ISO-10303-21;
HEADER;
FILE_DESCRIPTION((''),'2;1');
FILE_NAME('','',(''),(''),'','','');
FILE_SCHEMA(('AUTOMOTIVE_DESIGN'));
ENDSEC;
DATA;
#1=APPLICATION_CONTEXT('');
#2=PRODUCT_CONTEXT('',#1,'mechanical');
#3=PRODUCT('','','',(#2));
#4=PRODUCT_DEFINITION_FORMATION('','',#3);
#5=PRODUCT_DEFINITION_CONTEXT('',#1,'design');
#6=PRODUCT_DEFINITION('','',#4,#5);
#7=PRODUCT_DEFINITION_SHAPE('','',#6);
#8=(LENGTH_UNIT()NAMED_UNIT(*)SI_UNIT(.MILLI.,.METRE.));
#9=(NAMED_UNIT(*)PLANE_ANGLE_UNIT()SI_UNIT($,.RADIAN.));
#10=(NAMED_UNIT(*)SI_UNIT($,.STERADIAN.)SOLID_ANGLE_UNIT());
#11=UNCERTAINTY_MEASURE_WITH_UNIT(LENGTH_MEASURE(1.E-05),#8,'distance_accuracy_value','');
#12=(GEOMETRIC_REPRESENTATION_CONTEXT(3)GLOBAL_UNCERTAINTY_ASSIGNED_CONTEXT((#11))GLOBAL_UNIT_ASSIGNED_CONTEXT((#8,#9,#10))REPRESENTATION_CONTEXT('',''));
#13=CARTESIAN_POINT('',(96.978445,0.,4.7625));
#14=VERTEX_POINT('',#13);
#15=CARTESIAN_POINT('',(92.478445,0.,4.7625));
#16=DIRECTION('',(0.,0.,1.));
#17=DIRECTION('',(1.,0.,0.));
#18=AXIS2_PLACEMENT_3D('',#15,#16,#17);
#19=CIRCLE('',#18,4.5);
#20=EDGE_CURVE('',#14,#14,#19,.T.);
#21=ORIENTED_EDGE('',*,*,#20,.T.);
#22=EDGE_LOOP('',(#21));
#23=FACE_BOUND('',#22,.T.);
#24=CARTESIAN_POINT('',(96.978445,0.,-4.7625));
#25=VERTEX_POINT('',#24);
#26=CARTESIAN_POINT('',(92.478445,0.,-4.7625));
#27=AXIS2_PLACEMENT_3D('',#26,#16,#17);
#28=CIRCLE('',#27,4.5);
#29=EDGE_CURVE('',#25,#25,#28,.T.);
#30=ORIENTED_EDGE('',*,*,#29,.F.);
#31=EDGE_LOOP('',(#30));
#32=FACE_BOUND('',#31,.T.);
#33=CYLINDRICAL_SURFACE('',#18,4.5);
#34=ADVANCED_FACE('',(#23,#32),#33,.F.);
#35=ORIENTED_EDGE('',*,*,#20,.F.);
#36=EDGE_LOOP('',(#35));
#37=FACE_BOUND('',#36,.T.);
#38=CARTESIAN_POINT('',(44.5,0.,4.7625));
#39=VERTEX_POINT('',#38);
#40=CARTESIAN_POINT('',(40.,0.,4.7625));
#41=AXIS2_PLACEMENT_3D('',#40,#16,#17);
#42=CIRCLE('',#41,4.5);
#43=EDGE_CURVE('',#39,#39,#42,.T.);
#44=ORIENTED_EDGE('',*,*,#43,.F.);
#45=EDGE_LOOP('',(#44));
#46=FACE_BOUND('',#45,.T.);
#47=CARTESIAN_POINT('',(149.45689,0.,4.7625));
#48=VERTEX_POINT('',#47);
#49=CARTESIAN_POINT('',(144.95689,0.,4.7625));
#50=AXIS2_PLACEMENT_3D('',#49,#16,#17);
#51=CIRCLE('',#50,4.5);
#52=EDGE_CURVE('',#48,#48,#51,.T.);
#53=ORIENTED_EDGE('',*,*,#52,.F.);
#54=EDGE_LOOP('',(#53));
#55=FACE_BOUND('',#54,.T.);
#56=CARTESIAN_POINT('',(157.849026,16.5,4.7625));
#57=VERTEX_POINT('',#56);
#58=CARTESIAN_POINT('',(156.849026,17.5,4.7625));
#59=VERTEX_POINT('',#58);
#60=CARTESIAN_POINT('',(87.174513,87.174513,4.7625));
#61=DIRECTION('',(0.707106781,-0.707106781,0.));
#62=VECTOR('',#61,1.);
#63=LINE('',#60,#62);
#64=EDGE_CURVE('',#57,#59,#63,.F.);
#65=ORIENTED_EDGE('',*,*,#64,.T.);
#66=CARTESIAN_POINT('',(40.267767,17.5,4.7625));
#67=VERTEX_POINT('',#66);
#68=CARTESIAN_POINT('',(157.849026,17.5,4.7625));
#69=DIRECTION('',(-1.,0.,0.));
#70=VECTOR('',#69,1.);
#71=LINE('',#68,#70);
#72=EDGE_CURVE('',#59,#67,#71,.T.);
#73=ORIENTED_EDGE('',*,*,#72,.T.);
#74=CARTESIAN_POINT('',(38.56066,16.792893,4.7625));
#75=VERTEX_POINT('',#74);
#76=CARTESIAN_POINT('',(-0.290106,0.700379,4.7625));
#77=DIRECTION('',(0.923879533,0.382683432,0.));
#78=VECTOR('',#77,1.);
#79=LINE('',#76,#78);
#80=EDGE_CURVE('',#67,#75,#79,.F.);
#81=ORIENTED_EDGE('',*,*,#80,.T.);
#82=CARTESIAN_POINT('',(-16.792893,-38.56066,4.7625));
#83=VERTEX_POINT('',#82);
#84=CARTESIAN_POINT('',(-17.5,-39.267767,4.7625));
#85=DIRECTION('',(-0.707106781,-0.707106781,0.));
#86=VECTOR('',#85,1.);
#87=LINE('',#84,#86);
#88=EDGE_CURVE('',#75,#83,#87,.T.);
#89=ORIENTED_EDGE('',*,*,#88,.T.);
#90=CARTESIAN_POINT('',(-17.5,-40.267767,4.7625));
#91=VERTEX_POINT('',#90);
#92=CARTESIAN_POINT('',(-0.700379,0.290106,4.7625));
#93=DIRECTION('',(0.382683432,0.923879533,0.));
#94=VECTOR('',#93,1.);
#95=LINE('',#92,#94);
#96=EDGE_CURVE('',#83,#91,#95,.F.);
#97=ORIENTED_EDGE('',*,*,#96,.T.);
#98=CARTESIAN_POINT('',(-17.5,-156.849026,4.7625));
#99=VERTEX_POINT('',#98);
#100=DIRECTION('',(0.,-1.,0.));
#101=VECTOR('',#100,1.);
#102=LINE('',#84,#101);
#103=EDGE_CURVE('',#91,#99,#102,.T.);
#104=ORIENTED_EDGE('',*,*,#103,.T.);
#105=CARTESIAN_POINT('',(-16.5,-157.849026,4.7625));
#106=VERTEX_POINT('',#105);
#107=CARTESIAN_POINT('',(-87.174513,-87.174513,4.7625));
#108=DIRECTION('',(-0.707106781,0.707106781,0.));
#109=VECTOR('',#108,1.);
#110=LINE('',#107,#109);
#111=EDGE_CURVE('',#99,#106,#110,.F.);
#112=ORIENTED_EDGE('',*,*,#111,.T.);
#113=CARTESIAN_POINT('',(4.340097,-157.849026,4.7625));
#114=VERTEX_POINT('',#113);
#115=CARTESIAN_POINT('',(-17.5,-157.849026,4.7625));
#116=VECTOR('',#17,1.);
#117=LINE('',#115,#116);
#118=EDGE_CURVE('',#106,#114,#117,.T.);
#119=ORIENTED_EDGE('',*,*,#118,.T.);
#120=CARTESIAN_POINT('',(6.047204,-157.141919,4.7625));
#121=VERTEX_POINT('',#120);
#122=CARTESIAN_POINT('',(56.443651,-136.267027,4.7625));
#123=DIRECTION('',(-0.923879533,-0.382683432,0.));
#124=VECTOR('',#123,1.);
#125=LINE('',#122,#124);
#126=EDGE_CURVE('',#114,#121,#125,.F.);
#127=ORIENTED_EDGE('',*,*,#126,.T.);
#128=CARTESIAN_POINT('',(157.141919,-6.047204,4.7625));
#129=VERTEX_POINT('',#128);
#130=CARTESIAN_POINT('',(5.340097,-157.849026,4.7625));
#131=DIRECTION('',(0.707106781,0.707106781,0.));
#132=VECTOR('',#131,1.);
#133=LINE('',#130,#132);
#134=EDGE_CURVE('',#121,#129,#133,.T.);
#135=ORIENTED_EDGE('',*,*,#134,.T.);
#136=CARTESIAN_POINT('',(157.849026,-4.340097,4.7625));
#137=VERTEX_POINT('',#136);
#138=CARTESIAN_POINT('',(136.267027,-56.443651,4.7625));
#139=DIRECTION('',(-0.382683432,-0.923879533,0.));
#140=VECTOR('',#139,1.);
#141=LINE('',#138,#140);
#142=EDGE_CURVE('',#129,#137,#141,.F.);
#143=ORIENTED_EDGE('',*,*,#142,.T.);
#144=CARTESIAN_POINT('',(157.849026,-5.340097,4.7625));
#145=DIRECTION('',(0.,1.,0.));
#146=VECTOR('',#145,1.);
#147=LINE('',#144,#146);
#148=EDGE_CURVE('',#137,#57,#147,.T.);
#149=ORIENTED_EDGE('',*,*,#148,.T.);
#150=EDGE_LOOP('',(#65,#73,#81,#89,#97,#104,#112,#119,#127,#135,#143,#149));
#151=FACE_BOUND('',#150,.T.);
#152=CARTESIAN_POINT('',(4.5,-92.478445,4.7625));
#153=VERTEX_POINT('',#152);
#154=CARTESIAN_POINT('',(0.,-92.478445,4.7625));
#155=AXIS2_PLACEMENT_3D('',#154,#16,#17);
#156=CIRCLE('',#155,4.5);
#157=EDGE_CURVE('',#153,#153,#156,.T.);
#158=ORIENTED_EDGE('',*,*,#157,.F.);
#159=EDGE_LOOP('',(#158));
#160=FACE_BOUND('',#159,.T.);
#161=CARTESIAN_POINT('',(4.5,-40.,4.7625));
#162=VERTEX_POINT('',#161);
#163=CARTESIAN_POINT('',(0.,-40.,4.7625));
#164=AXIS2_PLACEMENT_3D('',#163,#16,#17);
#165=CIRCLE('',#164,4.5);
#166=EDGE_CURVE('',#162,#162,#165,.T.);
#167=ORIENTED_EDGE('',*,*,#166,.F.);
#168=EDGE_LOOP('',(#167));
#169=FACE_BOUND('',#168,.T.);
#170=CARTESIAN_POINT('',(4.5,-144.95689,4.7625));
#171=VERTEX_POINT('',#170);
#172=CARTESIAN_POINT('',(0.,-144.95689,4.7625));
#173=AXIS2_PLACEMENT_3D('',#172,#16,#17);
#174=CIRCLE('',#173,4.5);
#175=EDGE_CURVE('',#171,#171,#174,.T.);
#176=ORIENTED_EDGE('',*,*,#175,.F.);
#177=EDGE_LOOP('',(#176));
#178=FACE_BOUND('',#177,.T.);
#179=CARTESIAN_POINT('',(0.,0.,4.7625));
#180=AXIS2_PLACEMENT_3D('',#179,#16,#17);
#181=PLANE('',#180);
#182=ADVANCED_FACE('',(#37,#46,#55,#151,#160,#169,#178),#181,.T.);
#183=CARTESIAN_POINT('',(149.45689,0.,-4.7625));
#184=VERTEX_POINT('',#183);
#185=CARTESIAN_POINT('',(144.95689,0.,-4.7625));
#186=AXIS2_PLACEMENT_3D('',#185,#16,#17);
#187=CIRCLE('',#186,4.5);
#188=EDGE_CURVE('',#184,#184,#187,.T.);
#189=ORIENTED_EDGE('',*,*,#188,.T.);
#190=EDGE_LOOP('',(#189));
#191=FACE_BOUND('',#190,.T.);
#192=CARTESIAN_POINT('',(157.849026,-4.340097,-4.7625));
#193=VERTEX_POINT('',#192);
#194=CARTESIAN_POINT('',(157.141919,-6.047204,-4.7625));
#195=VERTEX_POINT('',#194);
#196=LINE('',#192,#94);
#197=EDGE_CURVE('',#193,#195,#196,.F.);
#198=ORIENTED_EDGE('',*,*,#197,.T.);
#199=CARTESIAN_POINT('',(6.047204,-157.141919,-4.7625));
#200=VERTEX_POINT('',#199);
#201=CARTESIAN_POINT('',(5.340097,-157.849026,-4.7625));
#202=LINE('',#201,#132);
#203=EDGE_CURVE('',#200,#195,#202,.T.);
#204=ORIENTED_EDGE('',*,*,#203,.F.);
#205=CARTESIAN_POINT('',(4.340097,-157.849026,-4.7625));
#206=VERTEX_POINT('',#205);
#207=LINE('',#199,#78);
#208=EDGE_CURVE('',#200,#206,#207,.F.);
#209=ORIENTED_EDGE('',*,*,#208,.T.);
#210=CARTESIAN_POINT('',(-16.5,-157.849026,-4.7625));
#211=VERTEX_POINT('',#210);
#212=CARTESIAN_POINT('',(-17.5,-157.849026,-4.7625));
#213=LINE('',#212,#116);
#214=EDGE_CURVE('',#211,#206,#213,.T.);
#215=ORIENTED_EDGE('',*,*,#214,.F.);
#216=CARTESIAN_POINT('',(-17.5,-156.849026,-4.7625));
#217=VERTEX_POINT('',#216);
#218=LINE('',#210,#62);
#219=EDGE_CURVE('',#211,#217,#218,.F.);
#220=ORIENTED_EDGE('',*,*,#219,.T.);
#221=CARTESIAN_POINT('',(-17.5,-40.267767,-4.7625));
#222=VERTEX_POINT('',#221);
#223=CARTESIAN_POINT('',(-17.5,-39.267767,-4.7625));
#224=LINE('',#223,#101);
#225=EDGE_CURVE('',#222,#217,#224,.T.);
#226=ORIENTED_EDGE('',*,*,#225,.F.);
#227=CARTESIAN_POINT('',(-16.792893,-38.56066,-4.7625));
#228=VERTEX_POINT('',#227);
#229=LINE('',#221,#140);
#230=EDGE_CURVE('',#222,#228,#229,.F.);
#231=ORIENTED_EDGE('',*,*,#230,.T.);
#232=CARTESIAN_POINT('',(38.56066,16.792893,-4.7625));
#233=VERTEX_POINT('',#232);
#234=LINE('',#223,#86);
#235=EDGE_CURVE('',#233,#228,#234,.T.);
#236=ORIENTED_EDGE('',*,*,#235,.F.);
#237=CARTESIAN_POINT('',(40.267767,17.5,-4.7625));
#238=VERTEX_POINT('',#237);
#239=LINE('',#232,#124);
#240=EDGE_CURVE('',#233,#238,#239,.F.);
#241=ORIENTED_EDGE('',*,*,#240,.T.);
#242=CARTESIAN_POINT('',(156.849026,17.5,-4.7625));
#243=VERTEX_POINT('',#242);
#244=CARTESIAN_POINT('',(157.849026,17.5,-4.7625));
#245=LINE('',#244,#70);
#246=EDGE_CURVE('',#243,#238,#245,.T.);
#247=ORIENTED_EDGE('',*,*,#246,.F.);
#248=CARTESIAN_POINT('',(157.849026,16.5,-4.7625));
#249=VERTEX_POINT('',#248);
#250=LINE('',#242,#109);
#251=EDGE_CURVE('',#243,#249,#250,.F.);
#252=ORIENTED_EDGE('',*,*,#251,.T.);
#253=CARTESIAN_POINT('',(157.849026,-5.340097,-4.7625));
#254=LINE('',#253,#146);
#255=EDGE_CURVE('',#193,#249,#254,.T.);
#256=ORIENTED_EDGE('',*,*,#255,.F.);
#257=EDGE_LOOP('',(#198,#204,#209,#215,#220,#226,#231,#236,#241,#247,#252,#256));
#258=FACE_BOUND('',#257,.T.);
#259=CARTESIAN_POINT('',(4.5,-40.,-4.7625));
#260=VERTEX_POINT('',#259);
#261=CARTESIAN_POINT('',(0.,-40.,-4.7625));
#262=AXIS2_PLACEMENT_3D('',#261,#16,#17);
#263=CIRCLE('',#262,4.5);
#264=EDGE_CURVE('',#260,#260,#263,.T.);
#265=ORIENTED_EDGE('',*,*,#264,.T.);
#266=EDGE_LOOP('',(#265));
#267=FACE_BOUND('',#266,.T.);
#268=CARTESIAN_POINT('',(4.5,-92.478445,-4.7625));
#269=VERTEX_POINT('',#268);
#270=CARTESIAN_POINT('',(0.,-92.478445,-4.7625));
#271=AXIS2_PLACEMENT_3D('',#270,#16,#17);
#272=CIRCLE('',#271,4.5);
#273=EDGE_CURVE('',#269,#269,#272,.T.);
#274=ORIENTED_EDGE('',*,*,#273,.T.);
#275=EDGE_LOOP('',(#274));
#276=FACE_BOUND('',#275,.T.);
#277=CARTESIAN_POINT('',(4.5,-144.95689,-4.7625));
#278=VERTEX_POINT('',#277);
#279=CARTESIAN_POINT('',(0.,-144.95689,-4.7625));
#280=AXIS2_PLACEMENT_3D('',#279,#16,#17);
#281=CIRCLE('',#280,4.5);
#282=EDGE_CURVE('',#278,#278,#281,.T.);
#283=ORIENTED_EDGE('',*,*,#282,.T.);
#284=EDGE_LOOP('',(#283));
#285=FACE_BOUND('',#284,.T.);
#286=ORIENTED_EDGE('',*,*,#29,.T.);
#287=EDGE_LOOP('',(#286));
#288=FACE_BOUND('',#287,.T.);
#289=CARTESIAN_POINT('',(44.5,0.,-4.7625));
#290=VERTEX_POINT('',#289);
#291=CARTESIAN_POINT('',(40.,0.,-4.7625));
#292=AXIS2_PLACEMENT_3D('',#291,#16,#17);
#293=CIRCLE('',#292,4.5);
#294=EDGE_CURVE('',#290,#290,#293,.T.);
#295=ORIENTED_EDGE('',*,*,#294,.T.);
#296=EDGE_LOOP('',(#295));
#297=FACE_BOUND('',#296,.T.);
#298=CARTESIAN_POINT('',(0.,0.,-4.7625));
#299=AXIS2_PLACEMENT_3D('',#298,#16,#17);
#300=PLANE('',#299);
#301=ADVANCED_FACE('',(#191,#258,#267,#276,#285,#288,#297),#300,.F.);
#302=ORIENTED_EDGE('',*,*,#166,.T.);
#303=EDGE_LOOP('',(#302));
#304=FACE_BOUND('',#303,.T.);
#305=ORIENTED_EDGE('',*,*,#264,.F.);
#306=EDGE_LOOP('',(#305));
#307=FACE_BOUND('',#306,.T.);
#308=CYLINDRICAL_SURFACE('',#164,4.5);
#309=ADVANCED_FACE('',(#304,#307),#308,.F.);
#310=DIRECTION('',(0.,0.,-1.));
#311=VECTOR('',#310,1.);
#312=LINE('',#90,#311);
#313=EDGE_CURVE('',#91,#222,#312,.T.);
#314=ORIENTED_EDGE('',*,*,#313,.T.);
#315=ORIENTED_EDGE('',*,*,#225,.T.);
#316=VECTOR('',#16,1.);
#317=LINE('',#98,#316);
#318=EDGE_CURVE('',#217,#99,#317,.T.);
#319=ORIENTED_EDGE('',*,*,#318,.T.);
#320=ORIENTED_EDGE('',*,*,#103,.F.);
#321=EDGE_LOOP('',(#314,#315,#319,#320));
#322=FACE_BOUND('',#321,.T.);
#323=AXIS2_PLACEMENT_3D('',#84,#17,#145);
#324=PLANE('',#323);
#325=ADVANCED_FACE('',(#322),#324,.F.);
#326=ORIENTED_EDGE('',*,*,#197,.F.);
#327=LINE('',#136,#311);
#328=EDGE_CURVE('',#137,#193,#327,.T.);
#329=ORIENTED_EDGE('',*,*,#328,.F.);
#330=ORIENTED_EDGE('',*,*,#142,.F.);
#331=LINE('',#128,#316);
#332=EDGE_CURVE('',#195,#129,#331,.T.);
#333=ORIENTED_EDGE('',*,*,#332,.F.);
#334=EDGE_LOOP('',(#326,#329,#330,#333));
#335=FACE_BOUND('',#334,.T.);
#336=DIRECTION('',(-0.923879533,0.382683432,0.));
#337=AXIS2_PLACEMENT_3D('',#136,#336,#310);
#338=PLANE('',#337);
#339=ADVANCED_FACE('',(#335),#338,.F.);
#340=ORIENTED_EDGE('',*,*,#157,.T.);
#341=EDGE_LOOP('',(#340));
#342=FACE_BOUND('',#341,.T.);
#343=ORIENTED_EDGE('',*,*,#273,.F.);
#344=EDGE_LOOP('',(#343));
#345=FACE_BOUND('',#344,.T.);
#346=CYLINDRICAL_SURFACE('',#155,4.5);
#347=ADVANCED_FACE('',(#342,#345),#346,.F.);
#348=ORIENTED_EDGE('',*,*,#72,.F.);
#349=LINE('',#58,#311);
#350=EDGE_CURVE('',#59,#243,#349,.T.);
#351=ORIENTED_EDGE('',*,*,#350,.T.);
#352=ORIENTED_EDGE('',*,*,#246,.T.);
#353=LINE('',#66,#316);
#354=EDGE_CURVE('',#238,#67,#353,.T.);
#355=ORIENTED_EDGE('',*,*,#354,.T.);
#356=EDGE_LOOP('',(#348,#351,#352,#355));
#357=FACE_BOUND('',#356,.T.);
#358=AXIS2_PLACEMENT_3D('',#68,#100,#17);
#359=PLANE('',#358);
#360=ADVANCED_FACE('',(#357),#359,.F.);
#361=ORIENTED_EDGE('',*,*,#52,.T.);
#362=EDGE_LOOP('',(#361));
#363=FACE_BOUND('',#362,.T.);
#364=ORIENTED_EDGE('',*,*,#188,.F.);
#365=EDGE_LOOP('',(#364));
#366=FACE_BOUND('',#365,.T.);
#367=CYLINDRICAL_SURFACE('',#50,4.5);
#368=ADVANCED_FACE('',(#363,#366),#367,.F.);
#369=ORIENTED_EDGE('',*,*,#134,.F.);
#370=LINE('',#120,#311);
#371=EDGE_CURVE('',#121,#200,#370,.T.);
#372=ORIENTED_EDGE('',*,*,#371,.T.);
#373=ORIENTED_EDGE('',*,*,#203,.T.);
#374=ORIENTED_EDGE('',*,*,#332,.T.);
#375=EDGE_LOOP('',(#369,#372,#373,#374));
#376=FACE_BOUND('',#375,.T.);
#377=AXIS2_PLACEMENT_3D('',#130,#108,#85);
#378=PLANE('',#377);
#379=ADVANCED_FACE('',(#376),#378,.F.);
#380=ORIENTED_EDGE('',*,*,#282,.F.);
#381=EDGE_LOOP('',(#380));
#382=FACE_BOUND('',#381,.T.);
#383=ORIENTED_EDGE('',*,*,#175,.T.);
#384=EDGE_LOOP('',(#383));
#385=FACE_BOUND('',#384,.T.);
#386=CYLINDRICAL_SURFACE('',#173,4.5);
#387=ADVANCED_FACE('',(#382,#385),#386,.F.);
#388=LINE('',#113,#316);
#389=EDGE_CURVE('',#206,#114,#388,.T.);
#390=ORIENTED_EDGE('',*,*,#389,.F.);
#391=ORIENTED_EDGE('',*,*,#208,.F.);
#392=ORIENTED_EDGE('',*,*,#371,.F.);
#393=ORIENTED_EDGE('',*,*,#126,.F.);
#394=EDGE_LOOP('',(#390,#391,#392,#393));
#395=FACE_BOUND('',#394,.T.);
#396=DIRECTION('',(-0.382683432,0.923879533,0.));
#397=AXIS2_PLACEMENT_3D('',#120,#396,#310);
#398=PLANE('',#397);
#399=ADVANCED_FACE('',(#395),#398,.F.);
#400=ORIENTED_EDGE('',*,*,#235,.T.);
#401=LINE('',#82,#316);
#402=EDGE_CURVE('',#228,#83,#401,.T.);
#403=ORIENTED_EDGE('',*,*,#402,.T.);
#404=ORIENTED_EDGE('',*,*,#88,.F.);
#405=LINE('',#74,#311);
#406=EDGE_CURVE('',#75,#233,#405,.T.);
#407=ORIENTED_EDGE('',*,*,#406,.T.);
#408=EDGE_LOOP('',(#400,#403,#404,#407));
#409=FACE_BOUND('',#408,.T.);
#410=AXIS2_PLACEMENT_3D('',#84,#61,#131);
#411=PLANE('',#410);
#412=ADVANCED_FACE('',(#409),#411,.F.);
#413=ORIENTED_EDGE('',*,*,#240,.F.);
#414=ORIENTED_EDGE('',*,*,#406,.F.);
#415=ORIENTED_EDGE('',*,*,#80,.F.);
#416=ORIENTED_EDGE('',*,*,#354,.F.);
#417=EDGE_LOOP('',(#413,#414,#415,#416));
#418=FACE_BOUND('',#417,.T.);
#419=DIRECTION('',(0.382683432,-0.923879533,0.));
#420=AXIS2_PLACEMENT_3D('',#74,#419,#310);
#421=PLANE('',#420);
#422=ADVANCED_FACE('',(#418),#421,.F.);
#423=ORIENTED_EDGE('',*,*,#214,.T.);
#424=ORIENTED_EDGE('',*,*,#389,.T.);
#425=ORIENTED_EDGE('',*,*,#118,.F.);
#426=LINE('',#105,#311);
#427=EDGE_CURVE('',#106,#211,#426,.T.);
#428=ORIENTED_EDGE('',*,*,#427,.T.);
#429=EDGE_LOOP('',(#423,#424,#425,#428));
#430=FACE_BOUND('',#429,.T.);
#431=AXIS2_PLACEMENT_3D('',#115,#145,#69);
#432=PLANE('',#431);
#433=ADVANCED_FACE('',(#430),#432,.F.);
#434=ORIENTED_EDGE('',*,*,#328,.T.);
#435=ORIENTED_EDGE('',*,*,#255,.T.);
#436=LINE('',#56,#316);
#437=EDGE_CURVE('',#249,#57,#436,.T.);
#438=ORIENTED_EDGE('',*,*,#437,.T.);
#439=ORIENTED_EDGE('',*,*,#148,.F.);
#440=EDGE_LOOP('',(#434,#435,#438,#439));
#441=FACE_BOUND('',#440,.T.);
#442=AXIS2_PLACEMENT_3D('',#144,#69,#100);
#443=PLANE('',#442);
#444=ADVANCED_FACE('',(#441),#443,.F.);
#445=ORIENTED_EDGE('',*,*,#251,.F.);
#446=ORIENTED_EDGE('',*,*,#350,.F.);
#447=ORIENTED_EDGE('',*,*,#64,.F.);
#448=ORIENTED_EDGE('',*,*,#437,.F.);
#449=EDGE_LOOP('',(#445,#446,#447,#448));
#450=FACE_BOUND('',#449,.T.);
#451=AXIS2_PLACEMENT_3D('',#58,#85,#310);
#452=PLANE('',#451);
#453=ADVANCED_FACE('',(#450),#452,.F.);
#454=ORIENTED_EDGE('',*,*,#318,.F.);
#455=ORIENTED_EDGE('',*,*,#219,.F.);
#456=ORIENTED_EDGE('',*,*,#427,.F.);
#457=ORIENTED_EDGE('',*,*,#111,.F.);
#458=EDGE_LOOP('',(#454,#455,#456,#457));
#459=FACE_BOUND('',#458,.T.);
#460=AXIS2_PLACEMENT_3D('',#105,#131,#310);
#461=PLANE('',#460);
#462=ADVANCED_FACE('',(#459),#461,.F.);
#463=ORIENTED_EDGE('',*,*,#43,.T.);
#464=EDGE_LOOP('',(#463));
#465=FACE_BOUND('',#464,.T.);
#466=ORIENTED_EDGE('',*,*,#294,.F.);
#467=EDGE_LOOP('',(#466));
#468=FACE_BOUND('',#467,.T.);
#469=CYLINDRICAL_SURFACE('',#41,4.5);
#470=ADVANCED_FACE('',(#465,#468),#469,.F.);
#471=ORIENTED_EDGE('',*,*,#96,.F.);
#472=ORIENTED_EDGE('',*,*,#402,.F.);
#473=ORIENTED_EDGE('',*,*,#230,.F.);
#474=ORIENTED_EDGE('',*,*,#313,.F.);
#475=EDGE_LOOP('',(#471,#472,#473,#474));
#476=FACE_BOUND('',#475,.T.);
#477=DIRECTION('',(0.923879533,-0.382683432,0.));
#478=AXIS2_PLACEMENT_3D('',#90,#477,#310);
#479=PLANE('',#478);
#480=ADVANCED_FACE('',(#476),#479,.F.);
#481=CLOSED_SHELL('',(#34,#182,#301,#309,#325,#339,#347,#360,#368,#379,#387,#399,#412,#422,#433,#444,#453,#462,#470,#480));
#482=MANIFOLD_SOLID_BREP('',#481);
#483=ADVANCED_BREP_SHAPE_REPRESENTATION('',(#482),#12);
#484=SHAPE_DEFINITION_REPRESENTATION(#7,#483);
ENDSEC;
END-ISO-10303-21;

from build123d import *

# Parameters (mm, degrees)
BOSS_EXTRUDE1_DEPTH  = 4.7625
M8_CLEARANCE_HOLE1_D = 9
CHAMFER1_SIZE        = 1


with BuildPart() as part:
    # Sketch1 → Boss-Extrude1 (new, symmetric)
    with BuildSketch(Plane.XY):
        Polygon((-17.5, -157.849025767), (5.340097423, -157.849025767), (157.849025767, -5.340097423), (157.849025767, 17.5), (39.267766953, 17.5), (-17.5, -39.267766953), align=None)
    extrude(amount=BOSS_EXTRUDE1_DEPTH, both=True)

    # M8 Clearance Hole1 (through all)
    with Locations(Plane.XY.offset(4.7625)):
        with Locations((0, -92.478445072), (144.956890143, 0), (92.478445072, 0), (0, -40), (0, -144.956890143), (40, 0)):
            Hole(M8_CLEARANCE_HOLE1_D / 2)

    # Chamfer1
    chamfer1_edges = [part.edges().sort_by_distance(p)[0] for p in [
        (157.849025767, 17.5, 0),
        (157.849025767, -5.340097423, 0),
        (5.340097423, -157.849025767, 0),
        (-17.5, -157.849025767, 0),
        (-17.5, -39.267766953, 0),
        (39.267766953, 17.5, 0),
    ]]
    chamfer(chamfer1_edges, length=CHAMFER1_SIZE)


solid = part.part
